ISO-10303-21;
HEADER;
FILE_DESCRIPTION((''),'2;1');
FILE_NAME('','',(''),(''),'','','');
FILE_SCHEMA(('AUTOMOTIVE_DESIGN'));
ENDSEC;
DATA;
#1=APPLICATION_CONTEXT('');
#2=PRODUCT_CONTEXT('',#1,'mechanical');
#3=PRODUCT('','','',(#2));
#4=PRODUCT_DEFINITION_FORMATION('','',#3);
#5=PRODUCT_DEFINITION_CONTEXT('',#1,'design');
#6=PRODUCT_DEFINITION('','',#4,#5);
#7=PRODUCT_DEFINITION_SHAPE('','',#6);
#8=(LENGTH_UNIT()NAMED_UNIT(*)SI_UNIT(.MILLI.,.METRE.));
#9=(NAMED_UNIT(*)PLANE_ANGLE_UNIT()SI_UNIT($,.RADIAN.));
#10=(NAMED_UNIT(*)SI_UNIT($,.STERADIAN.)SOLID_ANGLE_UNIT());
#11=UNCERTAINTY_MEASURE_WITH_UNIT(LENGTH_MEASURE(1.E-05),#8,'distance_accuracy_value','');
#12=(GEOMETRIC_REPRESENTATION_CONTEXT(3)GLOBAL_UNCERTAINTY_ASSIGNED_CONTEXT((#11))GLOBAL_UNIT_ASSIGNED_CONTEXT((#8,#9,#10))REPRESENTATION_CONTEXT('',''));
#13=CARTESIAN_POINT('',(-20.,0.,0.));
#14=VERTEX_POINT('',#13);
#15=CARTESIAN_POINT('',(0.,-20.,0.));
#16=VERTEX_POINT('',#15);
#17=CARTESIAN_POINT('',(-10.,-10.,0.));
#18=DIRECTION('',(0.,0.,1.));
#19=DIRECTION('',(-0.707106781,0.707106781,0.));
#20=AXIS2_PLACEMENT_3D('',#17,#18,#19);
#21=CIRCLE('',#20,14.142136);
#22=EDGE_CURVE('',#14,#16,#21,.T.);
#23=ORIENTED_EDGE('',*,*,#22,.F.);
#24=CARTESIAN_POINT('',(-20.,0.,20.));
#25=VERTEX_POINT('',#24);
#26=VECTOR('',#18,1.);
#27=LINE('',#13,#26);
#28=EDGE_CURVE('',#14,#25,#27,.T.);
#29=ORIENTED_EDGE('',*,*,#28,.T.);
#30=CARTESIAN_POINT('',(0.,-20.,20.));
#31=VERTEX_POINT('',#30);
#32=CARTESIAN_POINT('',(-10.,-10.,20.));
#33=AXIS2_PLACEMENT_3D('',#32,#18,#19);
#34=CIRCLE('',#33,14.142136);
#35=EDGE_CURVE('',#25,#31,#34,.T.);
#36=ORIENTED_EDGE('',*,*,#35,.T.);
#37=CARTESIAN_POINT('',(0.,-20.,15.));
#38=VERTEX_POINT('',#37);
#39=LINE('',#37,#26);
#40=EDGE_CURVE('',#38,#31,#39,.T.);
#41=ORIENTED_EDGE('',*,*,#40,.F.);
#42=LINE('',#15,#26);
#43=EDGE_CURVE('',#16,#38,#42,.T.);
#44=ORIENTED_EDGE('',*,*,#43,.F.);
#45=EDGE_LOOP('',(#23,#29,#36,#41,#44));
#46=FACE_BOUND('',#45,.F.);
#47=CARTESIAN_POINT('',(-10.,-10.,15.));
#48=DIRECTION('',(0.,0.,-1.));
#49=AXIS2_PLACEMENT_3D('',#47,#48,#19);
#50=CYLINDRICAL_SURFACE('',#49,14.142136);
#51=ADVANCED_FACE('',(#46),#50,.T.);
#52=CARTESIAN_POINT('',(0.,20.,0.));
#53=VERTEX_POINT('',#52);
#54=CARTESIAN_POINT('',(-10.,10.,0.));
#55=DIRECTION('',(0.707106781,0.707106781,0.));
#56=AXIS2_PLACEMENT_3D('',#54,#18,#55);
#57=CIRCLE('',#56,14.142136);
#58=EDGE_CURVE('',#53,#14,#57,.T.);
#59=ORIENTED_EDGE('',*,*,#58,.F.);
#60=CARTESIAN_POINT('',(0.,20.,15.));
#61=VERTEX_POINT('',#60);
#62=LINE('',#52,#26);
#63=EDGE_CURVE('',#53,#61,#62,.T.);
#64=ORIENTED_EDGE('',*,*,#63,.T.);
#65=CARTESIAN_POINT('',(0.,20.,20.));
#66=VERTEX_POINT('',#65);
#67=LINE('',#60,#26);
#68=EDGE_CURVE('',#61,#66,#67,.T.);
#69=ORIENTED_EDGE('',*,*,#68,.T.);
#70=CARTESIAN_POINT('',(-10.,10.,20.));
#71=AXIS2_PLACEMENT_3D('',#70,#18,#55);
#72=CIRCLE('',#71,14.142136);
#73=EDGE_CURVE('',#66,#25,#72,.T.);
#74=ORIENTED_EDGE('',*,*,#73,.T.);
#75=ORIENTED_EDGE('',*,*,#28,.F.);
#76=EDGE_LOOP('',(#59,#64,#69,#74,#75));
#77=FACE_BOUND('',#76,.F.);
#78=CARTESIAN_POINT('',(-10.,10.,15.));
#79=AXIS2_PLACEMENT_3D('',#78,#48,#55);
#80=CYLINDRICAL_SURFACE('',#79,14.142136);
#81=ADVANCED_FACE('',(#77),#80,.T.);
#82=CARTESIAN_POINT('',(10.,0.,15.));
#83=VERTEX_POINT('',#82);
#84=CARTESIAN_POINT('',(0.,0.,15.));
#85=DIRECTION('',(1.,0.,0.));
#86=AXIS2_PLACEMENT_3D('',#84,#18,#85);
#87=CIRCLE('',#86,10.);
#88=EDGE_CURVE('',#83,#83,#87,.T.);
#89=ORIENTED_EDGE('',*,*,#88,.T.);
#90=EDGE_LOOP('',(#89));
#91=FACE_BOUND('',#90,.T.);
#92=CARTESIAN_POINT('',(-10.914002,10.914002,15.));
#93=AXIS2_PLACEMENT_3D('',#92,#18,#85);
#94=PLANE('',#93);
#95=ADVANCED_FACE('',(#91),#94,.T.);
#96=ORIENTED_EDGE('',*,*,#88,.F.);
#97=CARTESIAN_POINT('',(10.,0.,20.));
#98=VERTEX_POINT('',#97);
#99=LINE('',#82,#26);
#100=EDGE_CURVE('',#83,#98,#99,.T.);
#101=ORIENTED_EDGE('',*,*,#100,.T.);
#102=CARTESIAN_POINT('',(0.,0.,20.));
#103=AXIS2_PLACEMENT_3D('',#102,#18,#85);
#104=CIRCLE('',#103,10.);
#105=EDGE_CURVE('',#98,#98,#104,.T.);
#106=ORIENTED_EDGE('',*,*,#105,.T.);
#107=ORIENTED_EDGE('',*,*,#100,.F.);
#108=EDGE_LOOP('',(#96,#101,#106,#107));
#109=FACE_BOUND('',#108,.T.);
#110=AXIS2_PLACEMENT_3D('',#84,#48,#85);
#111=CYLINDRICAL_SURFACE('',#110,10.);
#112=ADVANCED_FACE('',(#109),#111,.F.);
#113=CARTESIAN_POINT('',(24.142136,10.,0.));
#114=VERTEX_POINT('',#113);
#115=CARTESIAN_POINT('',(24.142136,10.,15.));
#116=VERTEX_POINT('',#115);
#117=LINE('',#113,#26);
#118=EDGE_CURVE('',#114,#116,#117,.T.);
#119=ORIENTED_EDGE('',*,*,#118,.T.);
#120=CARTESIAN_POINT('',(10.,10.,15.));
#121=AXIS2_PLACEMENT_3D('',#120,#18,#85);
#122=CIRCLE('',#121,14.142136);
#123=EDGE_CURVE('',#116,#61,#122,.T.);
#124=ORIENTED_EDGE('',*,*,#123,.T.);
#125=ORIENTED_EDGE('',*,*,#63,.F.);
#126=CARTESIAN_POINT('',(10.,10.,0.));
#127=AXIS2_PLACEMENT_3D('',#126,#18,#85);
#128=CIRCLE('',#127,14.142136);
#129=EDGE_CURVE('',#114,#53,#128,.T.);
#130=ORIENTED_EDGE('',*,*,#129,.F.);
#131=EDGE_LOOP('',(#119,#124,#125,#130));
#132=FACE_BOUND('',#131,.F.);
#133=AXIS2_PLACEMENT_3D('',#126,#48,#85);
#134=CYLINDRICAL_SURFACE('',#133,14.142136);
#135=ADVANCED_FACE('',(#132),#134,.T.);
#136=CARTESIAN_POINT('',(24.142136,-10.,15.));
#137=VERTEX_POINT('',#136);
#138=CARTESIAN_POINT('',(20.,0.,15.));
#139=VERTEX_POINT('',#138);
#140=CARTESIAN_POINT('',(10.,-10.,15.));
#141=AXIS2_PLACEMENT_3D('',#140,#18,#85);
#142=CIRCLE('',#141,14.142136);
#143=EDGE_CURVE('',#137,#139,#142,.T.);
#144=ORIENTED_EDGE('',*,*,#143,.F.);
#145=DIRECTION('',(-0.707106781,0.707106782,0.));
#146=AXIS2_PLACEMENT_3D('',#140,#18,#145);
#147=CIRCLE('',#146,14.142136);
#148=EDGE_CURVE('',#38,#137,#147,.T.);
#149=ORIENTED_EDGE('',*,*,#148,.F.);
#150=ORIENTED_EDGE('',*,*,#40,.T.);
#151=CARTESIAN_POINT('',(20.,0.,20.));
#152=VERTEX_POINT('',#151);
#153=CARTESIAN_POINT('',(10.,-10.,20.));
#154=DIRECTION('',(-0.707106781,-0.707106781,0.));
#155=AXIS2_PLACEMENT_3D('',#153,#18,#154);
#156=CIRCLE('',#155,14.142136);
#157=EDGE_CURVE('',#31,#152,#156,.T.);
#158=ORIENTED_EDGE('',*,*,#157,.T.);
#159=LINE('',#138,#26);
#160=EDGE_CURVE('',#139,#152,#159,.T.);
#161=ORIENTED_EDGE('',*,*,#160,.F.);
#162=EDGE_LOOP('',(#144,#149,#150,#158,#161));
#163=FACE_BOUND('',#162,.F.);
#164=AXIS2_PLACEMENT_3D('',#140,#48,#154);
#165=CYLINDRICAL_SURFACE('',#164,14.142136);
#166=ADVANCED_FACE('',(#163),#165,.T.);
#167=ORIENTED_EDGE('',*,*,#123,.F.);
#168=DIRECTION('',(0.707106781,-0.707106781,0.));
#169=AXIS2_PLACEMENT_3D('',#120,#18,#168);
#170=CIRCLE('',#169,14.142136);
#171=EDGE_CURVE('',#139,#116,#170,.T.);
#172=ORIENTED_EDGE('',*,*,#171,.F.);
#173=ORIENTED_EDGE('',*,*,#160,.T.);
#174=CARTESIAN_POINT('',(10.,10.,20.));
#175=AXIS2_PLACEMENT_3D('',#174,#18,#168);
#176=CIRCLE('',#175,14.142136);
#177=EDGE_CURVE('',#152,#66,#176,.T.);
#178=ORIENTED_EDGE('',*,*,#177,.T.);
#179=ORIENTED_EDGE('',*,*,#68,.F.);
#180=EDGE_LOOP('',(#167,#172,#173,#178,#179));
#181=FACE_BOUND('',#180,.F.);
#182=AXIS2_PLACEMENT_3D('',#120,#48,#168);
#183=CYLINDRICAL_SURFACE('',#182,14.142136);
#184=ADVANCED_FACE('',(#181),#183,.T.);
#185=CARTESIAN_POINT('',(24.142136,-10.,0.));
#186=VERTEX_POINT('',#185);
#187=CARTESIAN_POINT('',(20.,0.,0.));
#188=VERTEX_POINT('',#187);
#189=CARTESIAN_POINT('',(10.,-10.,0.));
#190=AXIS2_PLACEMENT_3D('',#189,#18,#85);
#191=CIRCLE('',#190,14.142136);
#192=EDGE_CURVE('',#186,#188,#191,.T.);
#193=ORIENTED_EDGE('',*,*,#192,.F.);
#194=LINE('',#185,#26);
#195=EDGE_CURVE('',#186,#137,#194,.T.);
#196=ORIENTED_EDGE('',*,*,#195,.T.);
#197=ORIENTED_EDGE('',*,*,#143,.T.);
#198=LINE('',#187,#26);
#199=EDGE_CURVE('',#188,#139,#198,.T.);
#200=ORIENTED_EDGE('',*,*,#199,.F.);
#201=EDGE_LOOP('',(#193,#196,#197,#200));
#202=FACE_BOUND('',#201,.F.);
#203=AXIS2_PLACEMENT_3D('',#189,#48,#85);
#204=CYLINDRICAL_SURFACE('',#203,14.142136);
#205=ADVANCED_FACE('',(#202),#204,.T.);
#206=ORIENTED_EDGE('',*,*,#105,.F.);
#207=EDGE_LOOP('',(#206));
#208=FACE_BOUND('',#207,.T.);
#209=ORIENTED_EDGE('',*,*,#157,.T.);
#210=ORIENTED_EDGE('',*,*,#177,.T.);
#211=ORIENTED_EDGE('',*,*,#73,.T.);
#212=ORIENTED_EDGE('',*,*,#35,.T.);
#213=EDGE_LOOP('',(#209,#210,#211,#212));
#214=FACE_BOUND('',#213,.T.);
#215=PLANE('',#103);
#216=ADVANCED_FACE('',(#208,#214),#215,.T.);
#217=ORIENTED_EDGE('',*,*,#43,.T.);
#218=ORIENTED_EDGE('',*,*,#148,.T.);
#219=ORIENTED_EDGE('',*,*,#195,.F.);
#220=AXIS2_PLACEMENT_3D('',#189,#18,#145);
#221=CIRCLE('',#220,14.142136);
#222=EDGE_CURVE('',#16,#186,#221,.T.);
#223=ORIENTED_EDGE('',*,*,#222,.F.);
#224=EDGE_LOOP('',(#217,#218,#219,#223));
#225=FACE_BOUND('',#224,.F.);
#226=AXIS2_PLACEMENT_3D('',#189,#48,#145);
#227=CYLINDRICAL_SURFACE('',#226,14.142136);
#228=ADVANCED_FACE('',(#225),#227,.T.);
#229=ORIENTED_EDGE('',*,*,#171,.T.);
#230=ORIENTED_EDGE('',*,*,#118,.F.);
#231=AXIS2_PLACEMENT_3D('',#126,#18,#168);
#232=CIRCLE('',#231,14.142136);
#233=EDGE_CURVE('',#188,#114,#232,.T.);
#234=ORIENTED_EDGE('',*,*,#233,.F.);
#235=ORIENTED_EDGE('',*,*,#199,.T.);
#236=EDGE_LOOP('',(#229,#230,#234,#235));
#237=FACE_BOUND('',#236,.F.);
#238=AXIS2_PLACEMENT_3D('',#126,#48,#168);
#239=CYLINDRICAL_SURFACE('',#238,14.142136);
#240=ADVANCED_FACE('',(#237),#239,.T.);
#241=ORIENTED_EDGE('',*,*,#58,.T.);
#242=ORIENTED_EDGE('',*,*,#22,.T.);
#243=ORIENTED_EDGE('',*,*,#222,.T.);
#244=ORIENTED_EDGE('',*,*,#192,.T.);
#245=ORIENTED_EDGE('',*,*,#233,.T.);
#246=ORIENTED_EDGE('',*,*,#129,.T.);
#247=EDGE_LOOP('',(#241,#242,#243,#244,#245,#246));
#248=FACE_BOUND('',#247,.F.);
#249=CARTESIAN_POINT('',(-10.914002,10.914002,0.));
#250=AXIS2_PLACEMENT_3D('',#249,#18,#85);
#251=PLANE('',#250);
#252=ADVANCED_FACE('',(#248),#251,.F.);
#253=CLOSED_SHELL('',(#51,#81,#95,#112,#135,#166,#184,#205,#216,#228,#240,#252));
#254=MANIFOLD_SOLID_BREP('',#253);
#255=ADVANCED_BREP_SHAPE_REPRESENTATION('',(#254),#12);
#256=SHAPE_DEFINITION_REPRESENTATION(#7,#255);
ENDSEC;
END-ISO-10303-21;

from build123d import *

# Parameters (mm, degrees)
F1_DEPTH = 15
F2_R     = 10
F3_DEPTH = 5


with BuildPart() as f1:
    # F0 (on Top) → F1 (new body)
    with BuildSketch(Plane.XY):
        with BuildLine():
            ThreePointArc((-4.3e-09, 4.3e-09), (-4.1421356237, 10.000000003), (0, 20))
            ThreePointArc((0, 20), (-20, 20), (-20, 0))
            ThreePointArc((-20, 0), (-10.000000003, 4.1421356237), (-4.3e-09, 4.3e-09))
        make_face()
        with BuildLine():
            ThreePointArc((20, 0), (23.0656296488, 4.5880389985), (24.1421356237, 10))
            ThreePointArc((24.1421356237, 10), (15.4119610015, 23.0656296488), (0, 20))
            ThreePointArc((0, 20), (3.0656296488, 15.4119610015), (4.1421356237, 10))
            ThreePointArc((4.1421356237, 10), (3.0656296518, 4.5880390059), (1.12e-08, 1.12e-08))
            ThreePointArc((1.12e-08, 1.12e-08), (10.0000000079, 4.1421356237), (20, 0))
        make_face()
        with BuildLine():
            ThreePointArc((4.1421356237, 10), (3.0656296488, 15.4119610015), (0, 20))
            ThreePointArc((0, 20), (-4.1421356237, 10.000000003), (-4.3e-09, 4.3e-09))
            ThreePointArc((1.12e-08, 1.12e-08), (3.0656296518, 4.5880390059), (4.1421356237, 10))
        make_face()
        with BuildLine():
            ThreePointArc((-20, 0), (-9.9999999921, -4.1421356237), (1.12e-08, 1.12e-08))
            ThreePointArc((-4.3e-09, 4.3e-09), (-10.000000003, 4.1421356237), (-20, 0))
        make_face()
        with BuildLine():
            ThreePointArc((4.1421356237, -10), (3.0656296476, -4.5880389957), (-4.3e-09, 4.3e-09))
            ThreePointArc((1.12e-08, 1.12e-08), (-4.1421356237, -9.9999999921), (0, -20))
            ThreePointArc((0, -20), (3.0656296488, -15.4119610015), (4.1421356237, -10))
        make_face()
        with BuildLine():
            ThreePointArc((-4.3e-09, 4.3e-09), (9.999999997, -4.1421356237), (20, 0))
            ThreePointArc((20, 0), (10.0000000079, 4.1421356237), (1.12e-08, 1.12e-08))
        make_face()
        with BuildLine():
            ThreePointArc((24.1421356237, -10), (23.0656296488, -4.5880389985), (20, 0))
            ThreePointArc((20, 0), (9.999999997, -4.1421356237), (-4.3e-09, 4.3e-09))
            ThreePointArc((-4.3e-09, 4.3e-09), (3.0656296476, -4.5880389957), (4.1421356237, -10))
            ThreePointArc((4.1421356237, -10), (3.0656296488, -15.4119610015), (0, -20))
            ThreePointArc((0, -20), (15.4119610015, -23.0656296488), (24.1421356237, -10))
        make_face()
        with BuildLine():
            ThreePointArc((0, -20), (-4.1421356237, -9.9999999921), (1.12e-08, 1.12e-08))
            ThreePointArc((1.12e-08, 1.12e-08), (-9.9999999921, -4.1421356237), (-20, 0))
            ThreePointArc((-20, 0), (-20, -20), (0, -20))
        make_face()
    extrude(amount=F1_DEPTH)

    # F2 (on face) → F3 (join)
    with BuildSketch(Plane.XY.offset(15)):
        with BuildLine():
            ThreePointArc((20, 0), (20, 20), (0, 20))
            ThreePointArc((0, 20), (-20, 20), (-20, 0))
            ThreePointArc((-20, 0), (-20, -20), (0, -20))
            ThreePointArc((0, -20), (20, -20), (20, 0))
        make_face()
        Circle(F2_R, mode=Mode.SUBTRACT)
    extrude(amount=F3_DEPTH)


solid = f1.part
